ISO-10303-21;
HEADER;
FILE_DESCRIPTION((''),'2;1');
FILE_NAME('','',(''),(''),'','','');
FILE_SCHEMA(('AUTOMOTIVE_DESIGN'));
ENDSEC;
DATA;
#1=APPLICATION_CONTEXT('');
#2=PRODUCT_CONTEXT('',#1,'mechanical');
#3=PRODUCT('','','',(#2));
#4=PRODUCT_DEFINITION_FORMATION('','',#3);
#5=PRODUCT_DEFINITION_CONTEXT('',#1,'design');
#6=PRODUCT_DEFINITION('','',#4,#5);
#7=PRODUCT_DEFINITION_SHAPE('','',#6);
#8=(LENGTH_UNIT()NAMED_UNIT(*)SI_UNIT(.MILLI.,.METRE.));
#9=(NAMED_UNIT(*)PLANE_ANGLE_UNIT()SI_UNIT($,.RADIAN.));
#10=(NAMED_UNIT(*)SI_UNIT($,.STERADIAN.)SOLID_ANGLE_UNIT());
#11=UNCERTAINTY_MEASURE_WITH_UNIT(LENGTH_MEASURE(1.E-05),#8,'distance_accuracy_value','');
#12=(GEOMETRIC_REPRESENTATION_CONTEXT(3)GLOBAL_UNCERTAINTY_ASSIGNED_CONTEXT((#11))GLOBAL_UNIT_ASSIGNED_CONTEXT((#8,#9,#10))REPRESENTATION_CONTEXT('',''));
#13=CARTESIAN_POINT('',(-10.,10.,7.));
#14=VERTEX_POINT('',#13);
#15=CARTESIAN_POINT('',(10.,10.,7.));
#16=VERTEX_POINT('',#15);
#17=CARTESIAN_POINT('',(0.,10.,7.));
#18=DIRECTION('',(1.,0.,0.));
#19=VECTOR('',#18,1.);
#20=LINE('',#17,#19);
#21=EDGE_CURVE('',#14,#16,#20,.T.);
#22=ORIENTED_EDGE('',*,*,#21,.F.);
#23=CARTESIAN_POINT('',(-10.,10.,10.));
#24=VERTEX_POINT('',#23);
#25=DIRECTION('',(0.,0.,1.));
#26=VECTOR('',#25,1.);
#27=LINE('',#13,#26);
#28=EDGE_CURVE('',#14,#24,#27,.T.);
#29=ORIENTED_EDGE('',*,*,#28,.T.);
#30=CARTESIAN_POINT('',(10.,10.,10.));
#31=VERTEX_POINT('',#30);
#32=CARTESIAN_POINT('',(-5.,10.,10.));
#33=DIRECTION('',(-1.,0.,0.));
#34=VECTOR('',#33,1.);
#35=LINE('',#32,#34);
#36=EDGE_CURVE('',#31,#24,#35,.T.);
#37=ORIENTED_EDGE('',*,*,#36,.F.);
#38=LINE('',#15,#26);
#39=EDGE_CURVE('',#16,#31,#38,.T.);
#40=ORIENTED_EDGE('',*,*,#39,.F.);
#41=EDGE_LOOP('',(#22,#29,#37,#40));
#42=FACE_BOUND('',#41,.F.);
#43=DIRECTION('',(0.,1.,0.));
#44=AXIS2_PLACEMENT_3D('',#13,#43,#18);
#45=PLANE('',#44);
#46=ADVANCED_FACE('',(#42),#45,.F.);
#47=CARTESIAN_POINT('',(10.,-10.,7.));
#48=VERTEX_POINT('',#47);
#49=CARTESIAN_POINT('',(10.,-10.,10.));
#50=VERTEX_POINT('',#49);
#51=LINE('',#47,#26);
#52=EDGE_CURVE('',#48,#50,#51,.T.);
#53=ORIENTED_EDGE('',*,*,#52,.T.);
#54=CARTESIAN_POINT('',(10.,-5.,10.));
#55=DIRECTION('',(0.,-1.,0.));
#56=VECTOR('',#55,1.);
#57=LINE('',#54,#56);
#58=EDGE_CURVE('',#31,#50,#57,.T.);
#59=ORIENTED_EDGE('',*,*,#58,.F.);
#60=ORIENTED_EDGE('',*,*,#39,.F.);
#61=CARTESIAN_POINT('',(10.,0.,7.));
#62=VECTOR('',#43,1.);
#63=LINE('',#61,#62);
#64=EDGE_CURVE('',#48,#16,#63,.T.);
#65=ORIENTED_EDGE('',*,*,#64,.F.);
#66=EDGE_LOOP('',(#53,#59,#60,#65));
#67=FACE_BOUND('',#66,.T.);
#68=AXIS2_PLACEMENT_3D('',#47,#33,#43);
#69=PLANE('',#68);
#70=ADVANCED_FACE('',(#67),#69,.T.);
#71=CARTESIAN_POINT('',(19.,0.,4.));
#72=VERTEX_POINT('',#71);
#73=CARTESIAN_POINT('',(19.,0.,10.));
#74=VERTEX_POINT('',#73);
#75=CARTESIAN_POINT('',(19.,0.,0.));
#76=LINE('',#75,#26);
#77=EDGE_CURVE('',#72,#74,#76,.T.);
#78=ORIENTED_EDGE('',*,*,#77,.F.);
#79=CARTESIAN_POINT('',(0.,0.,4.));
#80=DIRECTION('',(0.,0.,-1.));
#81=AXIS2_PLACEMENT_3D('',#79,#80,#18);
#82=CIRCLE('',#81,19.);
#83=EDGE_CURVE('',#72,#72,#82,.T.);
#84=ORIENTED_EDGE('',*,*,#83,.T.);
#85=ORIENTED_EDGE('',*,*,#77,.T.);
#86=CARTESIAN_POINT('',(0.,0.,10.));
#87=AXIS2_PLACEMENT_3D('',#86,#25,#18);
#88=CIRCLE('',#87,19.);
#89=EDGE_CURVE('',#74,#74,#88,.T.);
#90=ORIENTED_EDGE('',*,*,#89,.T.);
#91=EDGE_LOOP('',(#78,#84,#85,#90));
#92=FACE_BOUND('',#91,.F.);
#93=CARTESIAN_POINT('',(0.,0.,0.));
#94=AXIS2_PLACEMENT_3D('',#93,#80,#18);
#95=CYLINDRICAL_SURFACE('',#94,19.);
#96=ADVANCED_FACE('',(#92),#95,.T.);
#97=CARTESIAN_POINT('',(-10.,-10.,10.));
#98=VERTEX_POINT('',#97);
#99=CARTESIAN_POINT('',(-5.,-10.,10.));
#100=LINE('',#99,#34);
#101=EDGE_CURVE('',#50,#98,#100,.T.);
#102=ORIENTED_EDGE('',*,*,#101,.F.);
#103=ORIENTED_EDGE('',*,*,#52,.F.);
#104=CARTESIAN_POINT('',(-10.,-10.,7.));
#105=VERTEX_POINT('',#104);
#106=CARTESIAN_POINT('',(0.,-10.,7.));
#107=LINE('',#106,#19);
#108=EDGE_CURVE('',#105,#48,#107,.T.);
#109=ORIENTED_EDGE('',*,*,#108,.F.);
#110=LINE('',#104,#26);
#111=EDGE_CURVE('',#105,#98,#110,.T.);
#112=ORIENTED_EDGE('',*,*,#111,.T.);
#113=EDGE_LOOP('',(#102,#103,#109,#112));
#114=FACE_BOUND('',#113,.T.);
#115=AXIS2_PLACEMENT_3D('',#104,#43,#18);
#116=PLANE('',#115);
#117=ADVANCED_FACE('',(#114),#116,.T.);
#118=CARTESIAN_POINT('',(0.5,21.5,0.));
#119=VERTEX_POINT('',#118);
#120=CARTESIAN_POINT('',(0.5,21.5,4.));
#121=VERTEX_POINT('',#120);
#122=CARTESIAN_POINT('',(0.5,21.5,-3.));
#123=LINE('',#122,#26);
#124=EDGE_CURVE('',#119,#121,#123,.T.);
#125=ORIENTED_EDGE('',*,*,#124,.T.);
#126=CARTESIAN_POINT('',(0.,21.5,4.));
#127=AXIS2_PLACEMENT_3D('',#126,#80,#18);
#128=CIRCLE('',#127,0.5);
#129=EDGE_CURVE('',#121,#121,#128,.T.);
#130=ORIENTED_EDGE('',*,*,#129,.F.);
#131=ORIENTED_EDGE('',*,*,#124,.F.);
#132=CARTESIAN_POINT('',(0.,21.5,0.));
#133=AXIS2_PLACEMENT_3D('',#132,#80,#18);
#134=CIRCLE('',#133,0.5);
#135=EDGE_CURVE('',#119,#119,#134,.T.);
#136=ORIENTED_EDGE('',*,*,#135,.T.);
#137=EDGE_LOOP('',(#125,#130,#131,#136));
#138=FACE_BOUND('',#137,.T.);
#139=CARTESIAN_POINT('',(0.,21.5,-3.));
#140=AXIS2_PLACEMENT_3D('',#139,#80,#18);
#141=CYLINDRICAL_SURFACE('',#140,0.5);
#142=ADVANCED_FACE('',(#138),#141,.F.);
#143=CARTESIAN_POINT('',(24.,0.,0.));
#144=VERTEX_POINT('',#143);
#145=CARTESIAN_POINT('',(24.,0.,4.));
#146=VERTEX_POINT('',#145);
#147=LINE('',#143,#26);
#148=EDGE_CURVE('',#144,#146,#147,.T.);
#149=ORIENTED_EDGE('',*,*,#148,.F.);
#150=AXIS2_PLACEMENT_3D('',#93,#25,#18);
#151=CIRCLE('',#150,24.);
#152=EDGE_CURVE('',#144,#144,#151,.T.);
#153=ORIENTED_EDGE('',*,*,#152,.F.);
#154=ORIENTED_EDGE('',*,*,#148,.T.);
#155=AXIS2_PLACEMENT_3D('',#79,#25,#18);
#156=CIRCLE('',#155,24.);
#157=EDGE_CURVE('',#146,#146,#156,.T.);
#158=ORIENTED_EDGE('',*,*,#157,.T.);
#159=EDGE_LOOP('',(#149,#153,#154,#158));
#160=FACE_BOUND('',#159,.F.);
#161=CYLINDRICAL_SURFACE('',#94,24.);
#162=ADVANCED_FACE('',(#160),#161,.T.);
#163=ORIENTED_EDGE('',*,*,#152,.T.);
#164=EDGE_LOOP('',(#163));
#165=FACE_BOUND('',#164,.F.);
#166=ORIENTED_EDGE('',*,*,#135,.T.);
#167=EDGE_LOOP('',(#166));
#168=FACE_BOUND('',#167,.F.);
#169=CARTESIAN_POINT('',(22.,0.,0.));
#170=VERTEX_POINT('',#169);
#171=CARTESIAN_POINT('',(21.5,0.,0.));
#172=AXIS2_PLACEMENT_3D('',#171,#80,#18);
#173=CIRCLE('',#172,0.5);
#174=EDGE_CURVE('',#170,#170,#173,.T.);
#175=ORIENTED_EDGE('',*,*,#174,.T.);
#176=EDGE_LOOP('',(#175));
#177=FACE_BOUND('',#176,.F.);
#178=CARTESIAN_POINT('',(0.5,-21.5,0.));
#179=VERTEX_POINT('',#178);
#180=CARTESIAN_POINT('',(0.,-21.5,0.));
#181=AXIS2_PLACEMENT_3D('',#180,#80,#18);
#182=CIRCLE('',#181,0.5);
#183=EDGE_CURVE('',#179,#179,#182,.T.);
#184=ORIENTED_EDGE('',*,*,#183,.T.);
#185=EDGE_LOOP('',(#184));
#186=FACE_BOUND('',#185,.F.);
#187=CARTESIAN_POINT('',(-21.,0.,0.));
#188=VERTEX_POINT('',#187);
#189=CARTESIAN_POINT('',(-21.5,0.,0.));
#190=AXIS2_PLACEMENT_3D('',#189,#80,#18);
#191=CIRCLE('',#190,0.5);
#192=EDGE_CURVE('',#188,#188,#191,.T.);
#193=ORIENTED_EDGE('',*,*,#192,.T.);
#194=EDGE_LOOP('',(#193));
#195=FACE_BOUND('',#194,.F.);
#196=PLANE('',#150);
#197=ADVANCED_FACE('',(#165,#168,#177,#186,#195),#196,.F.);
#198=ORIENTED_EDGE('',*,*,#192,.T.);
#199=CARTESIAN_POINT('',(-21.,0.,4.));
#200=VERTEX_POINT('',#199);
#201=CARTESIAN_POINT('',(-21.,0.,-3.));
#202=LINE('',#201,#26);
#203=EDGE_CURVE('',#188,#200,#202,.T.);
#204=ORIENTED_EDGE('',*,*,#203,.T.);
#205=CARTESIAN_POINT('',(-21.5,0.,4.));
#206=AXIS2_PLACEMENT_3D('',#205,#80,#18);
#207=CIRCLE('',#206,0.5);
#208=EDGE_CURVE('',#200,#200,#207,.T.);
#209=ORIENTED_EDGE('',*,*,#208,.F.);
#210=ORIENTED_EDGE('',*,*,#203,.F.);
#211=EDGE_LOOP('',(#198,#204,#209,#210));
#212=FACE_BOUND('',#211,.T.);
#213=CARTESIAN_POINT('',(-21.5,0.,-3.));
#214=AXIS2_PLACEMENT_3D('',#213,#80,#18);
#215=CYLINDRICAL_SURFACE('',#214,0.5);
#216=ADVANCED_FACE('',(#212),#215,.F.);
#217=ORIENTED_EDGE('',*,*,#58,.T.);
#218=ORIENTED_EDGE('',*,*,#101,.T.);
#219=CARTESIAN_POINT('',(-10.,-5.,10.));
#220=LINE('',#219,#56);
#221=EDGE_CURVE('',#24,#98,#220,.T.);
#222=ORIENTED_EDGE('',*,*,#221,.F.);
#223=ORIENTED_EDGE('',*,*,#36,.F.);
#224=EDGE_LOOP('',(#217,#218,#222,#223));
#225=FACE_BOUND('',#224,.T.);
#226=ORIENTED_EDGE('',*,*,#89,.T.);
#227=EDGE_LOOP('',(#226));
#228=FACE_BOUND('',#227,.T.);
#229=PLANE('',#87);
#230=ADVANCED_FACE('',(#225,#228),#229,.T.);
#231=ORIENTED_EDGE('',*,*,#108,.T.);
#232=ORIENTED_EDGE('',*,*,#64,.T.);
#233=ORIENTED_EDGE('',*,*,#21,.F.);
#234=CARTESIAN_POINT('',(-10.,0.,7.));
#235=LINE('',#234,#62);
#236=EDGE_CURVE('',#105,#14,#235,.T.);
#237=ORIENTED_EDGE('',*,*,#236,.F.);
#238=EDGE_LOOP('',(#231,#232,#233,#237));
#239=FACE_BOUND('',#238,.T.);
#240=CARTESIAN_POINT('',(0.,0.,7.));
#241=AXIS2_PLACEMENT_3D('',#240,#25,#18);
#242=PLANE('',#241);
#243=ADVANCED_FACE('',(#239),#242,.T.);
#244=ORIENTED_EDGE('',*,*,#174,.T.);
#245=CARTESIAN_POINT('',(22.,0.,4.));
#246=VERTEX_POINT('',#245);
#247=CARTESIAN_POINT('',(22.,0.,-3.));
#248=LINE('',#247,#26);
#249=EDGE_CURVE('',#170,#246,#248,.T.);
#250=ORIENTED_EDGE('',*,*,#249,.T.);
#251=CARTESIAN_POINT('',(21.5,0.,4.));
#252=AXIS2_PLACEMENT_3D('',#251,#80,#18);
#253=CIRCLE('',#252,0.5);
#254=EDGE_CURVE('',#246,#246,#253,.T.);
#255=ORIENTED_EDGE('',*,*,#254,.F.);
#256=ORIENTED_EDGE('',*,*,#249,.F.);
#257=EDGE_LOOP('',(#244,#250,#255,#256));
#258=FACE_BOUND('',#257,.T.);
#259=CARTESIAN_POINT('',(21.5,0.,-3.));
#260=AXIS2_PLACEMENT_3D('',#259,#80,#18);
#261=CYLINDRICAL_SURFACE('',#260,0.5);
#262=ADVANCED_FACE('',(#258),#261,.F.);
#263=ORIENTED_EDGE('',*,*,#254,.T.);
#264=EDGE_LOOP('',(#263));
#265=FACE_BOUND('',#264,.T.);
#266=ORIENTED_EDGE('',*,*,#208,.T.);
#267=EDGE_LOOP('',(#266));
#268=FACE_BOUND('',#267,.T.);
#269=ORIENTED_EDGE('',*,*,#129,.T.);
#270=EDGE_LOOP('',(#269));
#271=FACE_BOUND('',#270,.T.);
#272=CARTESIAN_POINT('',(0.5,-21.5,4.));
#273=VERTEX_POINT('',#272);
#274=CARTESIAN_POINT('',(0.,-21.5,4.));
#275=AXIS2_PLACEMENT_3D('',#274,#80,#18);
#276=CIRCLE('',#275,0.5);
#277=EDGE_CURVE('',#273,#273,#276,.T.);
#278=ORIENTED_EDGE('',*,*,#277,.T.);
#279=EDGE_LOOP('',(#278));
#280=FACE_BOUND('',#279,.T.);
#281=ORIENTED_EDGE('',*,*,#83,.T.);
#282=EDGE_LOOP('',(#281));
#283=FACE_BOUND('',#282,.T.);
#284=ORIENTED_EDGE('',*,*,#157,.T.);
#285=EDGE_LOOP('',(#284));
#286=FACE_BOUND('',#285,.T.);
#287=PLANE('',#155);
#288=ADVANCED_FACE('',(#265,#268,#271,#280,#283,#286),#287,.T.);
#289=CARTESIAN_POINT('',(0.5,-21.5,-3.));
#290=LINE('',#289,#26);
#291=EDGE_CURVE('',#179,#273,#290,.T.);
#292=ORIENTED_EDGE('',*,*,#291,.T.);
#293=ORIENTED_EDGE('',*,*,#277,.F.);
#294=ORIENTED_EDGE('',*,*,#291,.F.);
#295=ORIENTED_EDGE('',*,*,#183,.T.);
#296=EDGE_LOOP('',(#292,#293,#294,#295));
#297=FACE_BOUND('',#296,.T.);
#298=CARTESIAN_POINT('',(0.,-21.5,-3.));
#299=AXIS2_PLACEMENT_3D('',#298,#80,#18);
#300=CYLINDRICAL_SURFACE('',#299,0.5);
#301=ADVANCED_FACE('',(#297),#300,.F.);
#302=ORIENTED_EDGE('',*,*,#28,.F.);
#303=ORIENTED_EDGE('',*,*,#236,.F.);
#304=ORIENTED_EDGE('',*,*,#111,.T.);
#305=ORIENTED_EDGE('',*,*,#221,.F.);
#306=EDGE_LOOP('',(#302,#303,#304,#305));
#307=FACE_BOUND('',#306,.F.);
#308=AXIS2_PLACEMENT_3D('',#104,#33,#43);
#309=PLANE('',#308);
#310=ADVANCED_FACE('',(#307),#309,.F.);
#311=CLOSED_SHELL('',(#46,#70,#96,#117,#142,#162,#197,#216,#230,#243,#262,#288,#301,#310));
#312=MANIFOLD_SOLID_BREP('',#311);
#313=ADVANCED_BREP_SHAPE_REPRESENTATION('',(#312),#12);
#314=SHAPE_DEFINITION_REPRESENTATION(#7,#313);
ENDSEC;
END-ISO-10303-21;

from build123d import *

# Parameters (mm, degrees)
BOX_W             = 20
BOX_H             = 20
BOX_DEPTH         = 20
CIRCLE001_R       = 19
EXTRUDE001_DEPTH  = 10
CYLINDER001_R     = 0.5
CYLINDER001_DEPTH = 10
CYLINDER002_R     = 0.5
CYLINDER002_DEPTH = 10
CYLINDER003_R     = 0.5
CYLINDER003_DEPTH = 10
CYLINDER_R        = 0.5
CYLINDER_DEPTH    = 10
CIRCLE_R          = 24
EXTRUDE_DEPTH     = 4


with BuildPart() as cube:
    # Box → Box (new body)
    with BuildSketch(Plane(origin=(-10, -10, 7), x_dir=(1, 0, 0), z_dir=(0, 0, 1))):
        with Locations((10, 10)):
            Rectangle(BOX_W, BOX_H)
    extrude(amount=BOX_DEPTH)


with BuildPart() as extrude001:
    # Circle001 → Extrude001 (new body)
    with BuildSketch(Plane.XY):
        Circle(CIRCLE001_R)
    extrude(amount=EXTRUDE001_DEPTH)


with BuildPart() as cylinder001:
    # Cylinder001 → Cylinder001 (new body)
    with BuildSketch(Plane(origin=(-21.5, 0, -3), x_dir=(1, 0, 0), z_dir=(0, 0, 1))):
        Circle(CYLINDER001_R)
    extrude(amount=CYLINDER001_DEPTH)


with BuildPart() as cylinder002:
    # Cylinder002 → Cylinder002 (new body)
    with BuildSketch(Plane(origin=(0, 21.5, -3), x_dir=(1, 0, 0), z_dir=(0, 0, 1))):
        Circle(CYLINDER002_R)
    extrude(amount=CYLINDER002_DEPTH)


with BuildPart() as cylinder003:
    # Cylinder003 → Cylinder003 (new body)
    with BuildSketch(Plane(origin=(0, -21.5, -3), x_dir=(1, 0, 0), z_dir=(0, 0, 1))):
        Circle(CYLINDER003_R)
    extrude(amount=CYLINDER003_DEPTH)


with BuildPart() as fusion:
    # Cylinder → Cylinder (new body)
    with BuildSketch(Plane(origin=(21.5, 0, -3), x_dir=(1, 0, 0), z_dir=(0, 0, 1))):
        Circle(CYLINDER_R)
    extrude(amount=CYLINDER_DEPTH)

    # Fusion: union Cylinder001, Cylinder002, Cylinder003
    add(cylinder001.part)
    add(cylinder002.part)
    add(cylinder003.part)


with BuildPart() as cut001:
    # Circle → Extrude (new body)
    with BuildSketch(Plane.XY):
        Circle(CIRCLE_R)
    extrude(amount=EXTRUDE_DEPTH)

    # Cut: cut Fusion
    add(fusion.part, mode=Mode.SUBTRACT)

    # Fusion001: union Extrude001
    add(extrude001.part)

    # Cut001: cut Cube
    add(cube.part, mode=Mode.SUBTRACT)


solid = cut001.part
